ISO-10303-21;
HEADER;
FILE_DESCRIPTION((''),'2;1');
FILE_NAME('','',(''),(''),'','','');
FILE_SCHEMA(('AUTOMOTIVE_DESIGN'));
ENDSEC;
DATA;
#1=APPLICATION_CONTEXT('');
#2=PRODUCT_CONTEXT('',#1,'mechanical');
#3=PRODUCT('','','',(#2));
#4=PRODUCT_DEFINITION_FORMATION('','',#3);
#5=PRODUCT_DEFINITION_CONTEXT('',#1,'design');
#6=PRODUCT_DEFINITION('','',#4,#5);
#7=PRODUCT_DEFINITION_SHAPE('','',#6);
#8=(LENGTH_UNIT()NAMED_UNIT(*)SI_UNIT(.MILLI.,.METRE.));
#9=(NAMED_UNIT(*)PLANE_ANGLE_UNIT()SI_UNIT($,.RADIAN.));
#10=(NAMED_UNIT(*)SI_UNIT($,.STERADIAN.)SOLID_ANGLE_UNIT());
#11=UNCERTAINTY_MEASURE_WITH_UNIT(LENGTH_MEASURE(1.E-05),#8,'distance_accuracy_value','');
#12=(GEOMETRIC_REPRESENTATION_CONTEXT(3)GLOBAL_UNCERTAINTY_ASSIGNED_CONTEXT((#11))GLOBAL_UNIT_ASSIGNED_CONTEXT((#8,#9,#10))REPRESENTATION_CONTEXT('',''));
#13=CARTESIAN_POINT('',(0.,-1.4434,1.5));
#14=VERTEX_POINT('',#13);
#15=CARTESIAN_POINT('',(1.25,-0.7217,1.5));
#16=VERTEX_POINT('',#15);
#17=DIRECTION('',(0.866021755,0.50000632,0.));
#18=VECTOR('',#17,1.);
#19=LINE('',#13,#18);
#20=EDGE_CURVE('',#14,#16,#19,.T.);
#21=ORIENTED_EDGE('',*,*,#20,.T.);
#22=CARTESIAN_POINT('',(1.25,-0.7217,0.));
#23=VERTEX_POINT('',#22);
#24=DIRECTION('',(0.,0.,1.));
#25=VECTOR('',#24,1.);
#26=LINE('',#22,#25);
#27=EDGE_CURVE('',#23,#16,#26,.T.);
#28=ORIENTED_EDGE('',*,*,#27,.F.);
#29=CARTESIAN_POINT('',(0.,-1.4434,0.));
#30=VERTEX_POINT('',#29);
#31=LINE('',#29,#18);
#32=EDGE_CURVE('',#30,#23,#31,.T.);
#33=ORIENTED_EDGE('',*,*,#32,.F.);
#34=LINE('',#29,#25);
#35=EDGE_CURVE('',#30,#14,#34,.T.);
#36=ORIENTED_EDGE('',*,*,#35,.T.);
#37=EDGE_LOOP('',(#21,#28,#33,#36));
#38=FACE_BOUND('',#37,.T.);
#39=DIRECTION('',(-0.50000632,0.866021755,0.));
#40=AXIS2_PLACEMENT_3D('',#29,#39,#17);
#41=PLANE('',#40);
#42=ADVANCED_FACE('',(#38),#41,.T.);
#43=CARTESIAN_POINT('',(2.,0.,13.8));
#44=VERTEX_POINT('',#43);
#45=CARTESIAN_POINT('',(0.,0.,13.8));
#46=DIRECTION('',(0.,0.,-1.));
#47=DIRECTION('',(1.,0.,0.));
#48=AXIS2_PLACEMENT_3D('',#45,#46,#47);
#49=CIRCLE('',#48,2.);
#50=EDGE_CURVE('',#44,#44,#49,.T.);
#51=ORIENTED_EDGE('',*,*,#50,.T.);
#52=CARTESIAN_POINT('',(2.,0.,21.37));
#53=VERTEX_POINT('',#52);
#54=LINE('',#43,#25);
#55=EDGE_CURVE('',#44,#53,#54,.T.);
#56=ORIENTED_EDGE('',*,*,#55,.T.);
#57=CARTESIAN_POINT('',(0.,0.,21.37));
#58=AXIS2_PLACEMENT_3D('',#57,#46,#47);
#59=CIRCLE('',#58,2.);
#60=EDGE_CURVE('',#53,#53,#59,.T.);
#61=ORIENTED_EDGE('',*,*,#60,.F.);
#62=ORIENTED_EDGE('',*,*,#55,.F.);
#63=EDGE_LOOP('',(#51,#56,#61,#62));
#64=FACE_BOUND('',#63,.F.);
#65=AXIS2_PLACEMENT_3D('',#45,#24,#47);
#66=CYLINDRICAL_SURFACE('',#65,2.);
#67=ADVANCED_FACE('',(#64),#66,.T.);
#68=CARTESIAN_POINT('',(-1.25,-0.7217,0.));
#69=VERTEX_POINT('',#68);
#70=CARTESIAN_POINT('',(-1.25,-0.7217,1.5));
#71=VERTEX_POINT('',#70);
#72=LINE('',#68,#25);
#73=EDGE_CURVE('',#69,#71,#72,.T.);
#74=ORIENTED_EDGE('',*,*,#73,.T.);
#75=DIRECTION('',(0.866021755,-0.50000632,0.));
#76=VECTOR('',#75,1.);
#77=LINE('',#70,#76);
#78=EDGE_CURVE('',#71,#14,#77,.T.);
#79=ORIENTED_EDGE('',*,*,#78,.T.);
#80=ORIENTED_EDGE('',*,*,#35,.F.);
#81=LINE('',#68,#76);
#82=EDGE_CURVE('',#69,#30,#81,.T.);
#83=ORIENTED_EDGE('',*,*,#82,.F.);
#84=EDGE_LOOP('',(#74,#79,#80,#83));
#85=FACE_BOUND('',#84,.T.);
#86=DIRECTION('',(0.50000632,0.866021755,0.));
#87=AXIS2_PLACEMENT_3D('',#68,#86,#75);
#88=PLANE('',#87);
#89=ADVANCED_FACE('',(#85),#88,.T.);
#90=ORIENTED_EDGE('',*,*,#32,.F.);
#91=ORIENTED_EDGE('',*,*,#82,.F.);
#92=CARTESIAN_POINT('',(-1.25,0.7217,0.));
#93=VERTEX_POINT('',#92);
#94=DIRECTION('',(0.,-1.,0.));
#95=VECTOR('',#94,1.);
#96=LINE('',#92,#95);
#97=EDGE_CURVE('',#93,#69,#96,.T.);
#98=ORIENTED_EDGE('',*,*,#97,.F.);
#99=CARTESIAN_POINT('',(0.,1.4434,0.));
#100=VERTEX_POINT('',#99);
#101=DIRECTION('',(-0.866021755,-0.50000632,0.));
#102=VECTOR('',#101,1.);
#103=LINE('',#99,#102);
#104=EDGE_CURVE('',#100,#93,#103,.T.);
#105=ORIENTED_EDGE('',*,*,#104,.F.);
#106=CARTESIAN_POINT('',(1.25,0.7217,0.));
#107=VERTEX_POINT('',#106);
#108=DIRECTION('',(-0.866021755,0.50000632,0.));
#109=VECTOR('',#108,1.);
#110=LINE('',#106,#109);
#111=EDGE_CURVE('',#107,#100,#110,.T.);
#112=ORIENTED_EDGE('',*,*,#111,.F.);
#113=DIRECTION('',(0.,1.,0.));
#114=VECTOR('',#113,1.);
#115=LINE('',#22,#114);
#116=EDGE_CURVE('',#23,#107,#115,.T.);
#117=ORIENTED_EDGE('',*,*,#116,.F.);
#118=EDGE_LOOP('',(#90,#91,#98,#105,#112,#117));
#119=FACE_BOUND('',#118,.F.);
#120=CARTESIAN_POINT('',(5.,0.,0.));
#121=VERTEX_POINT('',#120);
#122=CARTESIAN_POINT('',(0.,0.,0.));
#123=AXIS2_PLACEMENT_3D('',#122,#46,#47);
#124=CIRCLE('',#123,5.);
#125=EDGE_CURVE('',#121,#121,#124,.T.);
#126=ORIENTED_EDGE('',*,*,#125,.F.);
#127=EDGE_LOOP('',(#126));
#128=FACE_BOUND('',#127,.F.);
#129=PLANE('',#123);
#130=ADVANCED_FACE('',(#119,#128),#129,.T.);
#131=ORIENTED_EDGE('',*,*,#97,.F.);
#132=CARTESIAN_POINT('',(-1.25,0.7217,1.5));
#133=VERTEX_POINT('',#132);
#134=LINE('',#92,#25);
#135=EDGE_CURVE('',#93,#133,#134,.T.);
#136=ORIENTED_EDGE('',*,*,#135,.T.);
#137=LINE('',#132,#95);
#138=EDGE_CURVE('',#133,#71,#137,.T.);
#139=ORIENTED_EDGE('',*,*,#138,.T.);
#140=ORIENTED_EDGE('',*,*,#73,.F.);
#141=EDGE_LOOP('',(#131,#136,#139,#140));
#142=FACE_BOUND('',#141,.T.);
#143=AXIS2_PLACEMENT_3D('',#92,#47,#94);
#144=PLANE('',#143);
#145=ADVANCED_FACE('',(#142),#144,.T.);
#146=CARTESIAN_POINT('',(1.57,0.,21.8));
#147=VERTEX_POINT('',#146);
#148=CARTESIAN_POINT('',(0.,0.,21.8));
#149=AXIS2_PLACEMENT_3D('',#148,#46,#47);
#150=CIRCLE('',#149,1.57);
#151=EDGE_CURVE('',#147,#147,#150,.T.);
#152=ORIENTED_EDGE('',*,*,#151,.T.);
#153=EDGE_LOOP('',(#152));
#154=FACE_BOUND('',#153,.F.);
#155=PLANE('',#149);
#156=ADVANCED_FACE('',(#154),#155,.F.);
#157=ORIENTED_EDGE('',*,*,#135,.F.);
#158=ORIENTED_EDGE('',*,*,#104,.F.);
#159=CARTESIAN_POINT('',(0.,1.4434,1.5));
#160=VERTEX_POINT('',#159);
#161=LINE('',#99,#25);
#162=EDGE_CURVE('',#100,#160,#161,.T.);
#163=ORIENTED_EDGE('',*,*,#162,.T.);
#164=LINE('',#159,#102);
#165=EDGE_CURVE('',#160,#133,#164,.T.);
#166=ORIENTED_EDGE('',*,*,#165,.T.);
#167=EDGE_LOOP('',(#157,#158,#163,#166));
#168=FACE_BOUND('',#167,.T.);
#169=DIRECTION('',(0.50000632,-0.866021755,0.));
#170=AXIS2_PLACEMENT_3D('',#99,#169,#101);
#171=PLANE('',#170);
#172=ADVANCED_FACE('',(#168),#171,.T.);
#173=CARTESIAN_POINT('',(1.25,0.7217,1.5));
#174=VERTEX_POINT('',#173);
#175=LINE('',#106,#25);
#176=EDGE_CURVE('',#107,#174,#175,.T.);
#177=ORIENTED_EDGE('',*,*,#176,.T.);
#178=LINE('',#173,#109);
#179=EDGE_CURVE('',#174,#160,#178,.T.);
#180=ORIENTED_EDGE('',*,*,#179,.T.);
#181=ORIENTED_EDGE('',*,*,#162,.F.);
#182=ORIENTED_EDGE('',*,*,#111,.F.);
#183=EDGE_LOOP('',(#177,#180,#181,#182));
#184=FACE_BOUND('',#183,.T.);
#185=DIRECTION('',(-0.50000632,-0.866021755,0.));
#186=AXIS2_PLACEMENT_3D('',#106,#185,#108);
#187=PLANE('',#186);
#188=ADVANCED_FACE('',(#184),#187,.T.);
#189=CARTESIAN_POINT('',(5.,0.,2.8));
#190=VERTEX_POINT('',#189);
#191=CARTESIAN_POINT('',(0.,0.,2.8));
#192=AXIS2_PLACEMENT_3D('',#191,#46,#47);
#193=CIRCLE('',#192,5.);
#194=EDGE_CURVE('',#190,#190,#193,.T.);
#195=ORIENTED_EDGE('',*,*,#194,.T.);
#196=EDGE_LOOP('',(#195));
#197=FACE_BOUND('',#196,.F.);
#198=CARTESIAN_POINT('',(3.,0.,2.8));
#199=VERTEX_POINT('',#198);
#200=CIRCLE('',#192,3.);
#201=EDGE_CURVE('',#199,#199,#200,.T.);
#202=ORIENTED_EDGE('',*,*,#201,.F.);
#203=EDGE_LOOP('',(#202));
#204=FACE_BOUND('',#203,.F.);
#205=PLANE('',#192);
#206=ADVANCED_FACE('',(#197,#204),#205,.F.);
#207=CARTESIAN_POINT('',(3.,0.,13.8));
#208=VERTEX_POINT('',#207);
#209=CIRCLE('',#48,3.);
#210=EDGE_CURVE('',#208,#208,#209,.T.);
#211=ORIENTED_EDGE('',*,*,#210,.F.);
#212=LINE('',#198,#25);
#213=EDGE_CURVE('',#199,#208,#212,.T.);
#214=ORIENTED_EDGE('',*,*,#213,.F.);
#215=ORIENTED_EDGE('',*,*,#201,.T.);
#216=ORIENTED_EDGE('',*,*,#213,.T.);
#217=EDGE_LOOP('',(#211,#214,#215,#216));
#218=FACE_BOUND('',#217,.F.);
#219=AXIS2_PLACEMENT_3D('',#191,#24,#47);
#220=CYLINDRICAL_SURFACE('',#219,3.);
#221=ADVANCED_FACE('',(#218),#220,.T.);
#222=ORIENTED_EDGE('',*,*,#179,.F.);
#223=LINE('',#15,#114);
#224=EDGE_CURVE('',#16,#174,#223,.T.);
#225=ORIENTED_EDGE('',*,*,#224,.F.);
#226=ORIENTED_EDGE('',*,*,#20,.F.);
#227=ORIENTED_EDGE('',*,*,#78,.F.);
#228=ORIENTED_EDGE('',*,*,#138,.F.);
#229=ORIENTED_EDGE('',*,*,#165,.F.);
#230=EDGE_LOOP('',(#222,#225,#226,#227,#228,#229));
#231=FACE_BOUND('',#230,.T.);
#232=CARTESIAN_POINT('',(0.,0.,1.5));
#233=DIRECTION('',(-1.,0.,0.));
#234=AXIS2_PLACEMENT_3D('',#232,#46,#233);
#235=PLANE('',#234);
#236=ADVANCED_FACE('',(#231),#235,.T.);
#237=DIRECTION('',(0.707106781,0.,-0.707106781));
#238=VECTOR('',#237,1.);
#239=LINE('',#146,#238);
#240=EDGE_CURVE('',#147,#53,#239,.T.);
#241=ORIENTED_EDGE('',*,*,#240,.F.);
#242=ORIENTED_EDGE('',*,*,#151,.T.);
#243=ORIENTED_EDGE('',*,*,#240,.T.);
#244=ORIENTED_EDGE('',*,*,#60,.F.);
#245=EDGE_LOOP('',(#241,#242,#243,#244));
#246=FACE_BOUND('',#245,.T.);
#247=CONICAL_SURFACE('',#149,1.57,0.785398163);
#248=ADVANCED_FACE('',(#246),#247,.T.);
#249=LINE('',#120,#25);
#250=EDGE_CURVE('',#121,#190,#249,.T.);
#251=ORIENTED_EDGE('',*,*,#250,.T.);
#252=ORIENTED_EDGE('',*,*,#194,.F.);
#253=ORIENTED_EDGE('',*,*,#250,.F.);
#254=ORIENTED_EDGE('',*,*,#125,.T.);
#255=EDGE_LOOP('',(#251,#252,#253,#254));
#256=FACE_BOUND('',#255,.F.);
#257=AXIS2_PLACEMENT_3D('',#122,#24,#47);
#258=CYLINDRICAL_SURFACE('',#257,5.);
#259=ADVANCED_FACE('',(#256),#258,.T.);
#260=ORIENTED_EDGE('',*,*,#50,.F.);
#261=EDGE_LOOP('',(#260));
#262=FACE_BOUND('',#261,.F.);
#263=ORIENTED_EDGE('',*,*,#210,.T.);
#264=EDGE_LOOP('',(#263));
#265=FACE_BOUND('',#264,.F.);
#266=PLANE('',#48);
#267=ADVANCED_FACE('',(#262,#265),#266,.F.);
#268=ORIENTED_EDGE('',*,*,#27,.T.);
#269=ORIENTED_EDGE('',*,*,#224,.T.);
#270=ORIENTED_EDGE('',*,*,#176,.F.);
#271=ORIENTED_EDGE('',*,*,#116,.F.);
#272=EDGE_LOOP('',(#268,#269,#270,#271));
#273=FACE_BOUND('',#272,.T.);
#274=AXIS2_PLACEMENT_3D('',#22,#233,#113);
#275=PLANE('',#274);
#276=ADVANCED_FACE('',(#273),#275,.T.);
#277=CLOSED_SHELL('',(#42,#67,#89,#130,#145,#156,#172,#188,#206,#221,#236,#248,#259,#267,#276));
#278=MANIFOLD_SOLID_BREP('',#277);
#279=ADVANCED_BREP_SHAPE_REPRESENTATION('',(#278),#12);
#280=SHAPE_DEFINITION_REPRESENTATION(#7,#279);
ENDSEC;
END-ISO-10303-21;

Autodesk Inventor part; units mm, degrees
ref_plane "YZ Plane" through (0, 0, 0) normal (1, 0, 0) x (0, 1, 0)
ref_plane "XZ Plane" through (0, 0, 0) normal (0, 1, 0) x (-1, 0, 0)
ref_plane "XY Plane" through (0, 0, 0) normal (0, 0, 1) x (1, 0, 0)
sketch "スケッチ1" plane through (0, 0, 0) normal (0, 1, 0) x (-1, 0, 0)
  line L0 (0, 0) -> (-5, 0)
  line L1 (-5, 0) -> (-5, 2.8)
  line L2 (-5, 2.8) -> (-3, 2.8)
  line L3 (-3, 2.8) -> (-3, 13.8)
  line L4 (-3, 13.8) -> (-2, 13.8)
  line L5 (-2, 13.8) -> (-2, 21.37)
  line L6 (-1.57, 21.8) -> (0, 21.8)
  line L7 (0, 21.8) -> (0, 0)
  line L8 (-1.57, 21.8) -> (-2, 21.37)
  point P0 (-2, 21.8)
  dimension "d0" = 8
  dimension "d1" = 11
  dimension "d2" = 2.8
  dimension "d3" = 0.43
  dimension "d4" = 0.43
  dimension "d5" = 4
  dimension "d6" = 10
  dimension "d7" = 6
revolve "回転1" add sketch "スケッチ1" angle 360 about axis through (0, 0, 21.8) along (0, 0, -1)
thread "ねじ1" size "M4x0.7" class "6g" standard "ANSI Metric M Profile" length 7.57 offset 1.2
sketch "スケッチ2" plane through (0, 0, 0) normal (0, 0, -1) x (-1, 0, 0)
  line L0 (0, -1.4434) -> (-1.25, -0.7217)
  line L1 (-1.25, -0.7217) -> (-1.25, 0.7217)
  line L2 (-1.25, 0.7217) -> (0, 1.4434)
  line L3 (0, 1.4434) -> (1.25, 0.7217)
  line L4 (1.25, 0.7217) -> (1.25, -0.7217)
  line L5 (1.25, -0.7217) -> (0, -1.4434)
  point P0 (0, 0)
  point P1 (0, 0)
  dimension "d11" = 2.5
extrude "押し出し1" cut sketch "スケッチ2" against normal blind 1.5
equation "\"d4\" = d3"
properties part number "DBTS4-11-8-DHC" material "ステンレス鋼 AISI 304"
